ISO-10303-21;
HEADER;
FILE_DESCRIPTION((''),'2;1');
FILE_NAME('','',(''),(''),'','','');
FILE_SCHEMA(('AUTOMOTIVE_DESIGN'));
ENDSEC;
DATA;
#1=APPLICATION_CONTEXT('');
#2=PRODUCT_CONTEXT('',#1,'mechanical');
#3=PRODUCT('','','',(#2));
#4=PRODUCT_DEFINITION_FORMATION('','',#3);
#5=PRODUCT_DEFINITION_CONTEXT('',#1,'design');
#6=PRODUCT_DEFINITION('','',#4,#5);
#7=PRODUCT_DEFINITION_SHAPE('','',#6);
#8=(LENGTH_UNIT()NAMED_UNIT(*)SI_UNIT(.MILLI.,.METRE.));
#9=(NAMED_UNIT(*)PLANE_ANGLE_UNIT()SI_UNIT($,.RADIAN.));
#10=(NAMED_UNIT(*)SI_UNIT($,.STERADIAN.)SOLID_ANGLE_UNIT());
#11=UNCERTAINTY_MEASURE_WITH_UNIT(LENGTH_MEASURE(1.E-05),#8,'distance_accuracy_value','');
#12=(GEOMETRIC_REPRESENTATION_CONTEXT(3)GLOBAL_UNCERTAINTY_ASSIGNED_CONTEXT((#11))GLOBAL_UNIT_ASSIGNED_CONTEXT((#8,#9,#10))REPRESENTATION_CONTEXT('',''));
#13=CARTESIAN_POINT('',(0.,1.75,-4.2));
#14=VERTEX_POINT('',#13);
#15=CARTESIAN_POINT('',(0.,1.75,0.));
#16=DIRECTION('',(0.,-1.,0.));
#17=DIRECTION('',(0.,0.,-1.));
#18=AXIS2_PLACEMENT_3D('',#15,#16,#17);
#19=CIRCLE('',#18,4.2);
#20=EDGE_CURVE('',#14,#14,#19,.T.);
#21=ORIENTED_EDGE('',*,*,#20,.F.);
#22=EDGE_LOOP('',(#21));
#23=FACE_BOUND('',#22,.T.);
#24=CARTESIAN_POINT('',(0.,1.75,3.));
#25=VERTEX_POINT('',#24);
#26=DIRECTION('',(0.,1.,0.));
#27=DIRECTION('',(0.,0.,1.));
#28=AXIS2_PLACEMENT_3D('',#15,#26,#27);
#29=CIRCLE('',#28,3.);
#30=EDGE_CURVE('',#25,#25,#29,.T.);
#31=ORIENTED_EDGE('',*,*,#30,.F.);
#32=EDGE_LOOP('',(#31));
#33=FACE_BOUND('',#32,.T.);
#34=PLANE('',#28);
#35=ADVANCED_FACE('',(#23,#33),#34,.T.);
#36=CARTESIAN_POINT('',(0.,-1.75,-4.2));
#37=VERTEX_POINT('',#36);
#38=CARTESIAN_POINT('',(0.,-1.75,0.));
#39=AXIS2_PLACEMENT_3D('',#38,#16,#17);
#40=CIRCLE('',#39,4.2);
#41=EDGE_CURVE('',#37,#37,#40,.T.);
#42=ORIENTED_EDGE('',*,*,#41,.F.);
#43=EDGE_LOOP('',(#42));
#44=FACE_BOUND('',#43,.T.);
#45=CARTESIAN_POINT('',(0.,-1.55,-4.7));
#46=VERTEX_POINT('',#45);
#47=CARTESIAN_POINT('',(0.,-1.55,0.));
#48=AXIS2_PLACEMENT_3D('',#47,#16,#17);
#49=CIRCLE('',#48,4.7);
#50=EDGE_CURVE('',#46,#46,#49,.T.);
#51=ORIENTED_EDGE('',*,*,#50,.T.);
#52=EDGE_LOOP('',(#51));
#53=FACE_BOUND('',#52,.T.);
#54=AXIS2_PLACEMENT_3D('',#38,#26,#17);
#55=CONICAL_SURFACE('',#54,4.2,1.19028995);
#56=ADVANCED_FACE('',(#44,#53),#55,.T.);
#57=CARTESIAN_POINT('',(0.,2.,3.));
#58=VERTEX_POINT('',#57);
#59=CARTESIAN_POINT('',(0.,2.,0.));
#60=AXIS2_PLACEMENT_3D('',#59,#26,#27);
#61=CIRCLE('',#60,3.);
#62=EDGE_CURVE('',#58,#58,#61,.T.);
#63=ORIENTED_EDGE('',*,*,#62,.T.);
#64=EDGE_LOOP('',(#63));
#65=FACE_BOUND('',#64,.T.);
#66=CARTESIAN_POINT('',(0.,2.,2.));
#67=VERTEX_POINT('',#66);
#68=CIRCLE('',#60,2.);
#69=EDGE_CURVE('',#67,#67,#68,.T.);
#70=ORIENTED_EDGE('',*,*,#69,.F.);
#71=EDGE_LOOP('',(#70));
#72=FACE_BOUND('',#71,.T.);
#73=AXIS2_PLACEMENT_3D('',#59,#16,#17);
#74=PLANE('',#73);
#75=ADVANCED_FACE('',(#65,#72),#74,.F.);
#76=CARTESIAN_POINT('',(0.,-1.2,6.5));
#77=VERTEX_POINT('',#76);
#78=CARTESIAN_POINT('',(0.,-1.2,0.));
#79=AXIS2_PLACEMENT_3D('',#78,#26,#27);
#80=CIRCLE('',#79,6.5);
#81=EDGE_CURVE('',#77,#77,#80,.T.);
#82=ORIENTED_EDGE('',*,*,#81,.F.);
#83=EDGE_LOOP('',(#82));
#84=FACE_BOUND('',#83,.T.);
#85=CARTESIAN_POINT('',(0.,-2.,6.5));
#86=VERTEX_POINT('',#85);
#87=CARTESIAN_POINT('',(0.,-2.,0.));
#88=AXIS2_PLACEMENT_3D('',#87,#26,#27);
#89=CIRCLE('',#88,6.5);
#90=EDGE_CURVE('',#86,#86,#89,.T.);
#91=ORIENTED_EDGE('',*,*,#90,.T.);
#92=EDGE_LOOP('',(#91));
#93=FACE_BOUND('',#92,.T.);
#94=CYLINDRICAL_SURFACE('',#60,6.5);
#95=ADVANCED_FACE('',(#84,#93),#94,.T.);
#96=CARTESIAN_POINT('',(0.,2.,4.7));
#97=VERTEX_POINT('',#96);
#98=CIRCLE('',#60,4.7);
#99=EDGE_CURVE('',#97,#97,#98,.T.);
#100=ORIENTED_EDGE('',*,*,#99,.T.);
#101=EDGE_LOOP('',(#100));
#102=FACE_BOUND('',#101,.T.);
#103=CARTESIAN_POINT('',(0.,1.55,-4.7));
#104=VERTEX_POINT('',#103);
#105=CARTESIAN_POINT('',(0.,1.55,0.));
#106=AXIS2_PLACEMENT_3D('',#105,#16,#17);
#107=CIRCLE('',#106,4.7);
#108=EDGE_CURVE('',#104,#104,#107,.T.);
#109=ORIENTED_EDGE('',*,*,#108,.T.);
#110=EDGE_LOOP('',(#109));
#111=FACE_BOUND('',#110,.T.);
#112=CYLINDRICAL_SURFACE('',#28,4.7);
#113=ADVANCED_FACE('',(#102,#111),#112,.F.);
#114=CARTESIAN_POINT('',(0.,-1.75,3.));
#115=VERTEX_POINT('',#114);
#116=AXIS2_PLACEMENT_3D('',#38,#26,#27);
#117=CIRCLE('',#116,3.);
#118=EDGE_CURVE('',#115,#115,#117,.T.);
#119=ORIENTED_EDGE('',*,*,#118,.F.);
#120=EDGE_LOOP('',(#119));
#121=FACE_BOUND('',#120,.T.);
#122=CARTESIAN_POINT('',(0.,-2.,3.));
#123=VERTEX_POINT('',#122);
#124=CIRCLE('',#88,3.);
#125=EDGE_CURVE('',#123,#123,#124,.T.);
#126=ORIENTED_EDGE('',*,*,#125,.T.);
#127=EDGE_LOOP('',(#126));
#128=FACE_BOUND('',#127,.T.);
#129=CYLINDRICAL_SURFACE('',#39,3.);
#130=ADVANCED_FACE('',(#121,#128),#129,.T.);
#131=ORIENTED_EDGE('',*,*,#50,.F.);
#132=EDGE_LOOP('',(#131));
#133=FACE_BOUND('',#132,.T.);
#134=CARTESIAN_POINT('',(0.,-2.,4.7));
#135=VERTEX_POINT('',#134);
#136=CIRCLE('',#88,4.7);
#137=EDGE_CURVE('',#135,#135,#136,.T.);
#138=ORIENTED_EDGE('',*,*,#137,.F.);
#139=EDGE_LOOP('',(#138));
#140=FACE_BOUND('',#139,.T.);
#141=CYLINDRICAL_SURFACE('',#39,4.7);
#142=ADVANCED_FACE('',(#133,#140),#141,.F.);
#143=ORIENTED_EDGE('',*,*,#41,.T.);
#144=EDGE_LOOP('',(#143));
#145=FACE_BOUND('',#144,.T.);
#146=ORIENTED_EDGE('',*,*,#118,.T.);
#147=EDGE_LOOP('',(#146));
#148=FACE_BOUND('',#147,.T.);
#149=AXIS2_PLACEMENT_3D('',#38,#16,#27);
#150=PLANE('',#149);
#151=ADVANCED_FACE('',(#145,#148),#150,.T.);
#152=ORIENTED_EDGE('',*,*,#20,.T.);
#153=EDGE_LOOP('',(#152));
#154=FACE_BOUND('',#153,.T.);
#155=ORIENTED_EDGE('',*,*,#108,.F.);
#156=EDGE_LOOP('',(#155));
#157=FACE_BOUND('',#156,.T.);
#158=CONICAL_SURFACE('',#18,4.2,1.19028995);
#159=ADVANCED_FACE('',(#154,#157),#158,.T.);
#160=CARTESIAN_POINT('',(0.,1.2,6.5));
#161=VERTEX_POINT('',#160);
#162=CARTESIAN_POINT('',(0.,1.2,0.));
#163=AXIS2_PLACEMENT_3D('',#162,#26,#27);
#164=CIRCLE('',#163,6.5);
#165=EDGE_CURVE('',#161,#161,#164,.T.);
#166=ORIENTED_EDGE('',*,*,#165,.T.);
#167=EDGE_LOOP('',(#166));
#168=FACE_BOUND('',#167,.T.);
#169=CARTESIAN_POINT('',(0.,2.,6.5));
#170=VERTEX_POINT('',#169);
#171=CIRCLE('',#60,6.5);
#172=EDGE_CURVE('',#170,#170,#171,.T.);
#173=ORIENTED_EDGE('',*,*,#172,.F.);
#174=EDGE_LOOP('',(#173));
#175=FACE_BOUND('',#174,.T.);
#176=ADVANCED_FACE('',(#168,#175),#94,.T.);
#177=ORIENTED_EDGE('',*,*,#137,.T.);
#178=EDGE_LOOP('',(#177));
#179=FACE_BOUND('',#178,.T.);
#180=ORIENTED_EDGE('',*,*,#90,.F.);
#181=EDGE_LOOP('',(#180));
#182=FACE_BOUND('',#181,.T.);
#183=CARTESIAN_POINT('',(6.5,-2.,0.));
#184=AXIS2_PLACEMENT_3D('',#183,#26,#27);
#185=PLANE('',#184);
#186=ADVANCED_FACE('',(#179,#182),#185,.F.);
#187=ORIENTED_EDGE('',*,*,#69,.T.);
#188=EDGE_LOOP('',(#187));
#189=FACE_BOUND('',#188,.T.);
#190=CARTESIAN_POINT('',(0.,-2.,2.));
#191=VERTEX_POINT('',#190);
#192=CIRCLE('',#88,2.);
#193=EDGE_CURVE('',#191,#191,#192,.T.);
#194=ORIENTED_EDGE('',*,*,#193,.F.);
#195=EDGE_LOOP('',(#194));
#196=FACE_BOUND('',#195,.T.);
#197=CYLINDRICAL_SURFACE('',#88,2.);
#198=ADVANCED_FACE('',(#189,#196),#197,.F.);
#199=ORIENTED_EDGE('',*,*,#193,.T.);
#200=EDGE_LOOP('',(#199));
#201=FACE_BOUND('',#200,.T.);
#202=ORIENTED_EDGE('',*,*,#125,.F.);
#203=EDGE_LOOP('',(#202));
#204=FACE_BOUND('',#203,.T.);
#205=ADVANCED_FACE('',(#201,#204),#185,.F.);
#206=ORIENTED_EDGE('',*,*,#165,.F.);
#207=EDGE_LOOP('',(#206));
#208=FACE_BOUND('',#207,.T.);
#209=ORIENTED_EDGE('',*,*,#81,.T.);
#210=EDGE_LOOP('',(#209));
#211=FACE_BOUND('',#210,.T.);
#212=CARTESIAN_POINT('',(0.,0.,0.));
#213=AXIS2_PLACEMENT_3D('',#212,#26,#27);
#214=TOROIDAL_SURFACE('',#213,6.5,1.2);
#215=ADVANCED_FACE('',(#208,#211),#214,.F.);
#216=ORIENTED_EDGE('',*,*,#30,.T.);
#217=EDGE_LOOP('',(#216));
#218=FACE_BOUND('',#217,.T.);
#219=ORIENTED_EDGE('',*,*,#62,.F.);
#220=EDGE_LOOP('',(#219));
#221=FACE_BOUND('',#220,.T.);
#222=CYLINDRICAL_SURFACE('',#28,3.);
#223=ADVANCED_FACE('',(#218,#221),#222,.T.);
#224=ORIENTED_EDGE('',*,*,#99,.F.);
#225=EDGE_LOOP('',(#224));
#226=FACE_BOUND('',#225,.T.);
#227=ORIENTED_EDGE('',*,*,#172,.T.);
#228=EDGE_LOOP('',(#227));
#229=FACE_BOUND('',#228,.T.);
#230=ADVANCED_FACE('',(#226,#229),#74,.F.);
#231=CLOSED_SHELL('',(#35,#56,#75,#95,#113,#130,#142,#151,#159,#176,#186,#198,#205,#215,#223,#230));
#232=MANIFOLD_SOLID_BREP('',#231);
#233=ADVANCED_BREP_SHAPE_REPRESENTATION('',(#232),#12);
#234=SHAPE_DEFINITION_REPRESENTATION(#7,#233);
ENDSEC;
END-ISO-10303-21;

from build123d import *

# Parameters (mm, degrees)
SKETCH2_R          = 2
CUT_EXTRUDE1_DEPTH = 11.024968828
SKETCH3_R          = 4.7
SKETCH3_R_2        = 3
CUT_EXTRUDE2_DEPTH = 0.25


with BuildPart() as part:
    # Sketch1 → Revolve1 (revolve)
    with BuildSketch(Plane.XY, mode=Mode.PRIVATE) as revolve1_sk:
        with BuildLine():
            Line((0, 2), (0, -2))
            Line((0, -2), (6.5, -2))
            Line((6.5, -2), (6.5, -1.2))
            ThreePointArc((6.5, -1.2), (5.3, 0), (6.5, 1.2))
            Line((6.5, 1.2), (6.5, 2))
            Line((6.5, 2), (0, 2))
        make_face()
    revolve(revolve1_sk.sketch.rotate(Axis((0, 2, 0), (0, -1, 0)), 90), axis=Axis((0, 2, 0), (0, -1, 0)))

    # Sketch2 → Cut-Extrude1 (cut, through all)
    with BuildSketch(Plane(origin=(0, 2, 0), x_dir=(1, 0, 0), z_dir=(0, 1, 0))):
        with Locations(Location((0, 0, 0), (0, 0, 270))):
            Circle(SKETCH2_R)
    extrude(amount=-CUT_EXTRUDE1_DEPTH, mode=Mode.SUBTRACT)

    # Sketch3 → Cut-Extrude2 (cut)
    with BuildSketch(Plane(origin=(0, 2, 0), x_dir=(1, 0, 0), z_dir=(0, 1, 0))):
        with Locations(Location((0, 0, 0), (0, 0, 270))):
            Circle(SKETCH3_R)
        with Locations(Location((0, 0, 0), (0, 0, 270))):
            Circle(SKETCH3_R_2, mode=Mode.SUBTRACT)
    cut_extrude2 = extrude(amount=-CUT_EXTRUDE2_DEPTH, mode=Mode.SUBTRACT)

    # Sketch4 → Cut-Revolve1 (revolve, cut)
    with BuildSketch(Plane.XY, mode=Mode.PRIVATE) as cut_revolve1_sk:
        Polygon((4.7, 1.75), (4.2, 1.75), (4.7, 1.55), align=None)
    cut_revolve1 = revolve(cut_revolve1_sk.sketch.rotate(Axis((0, 1.75, 0), (0, 1, 0)), 270), axis=Axis((0, 1.75, 0), (0, 1, 0)), mode=Mode.SUBTRACT)

    # Mirror1: Cut-Extrude2, Cut-Revolve1 across plane
    add(cut_extrude2.mirror(Plane.ZX), mode=Mode.SUBTRACT)
    add(cut_revolve1.mirror(Plane.ZX), mode=Mode.SUBTRACT)


solid = part.part
